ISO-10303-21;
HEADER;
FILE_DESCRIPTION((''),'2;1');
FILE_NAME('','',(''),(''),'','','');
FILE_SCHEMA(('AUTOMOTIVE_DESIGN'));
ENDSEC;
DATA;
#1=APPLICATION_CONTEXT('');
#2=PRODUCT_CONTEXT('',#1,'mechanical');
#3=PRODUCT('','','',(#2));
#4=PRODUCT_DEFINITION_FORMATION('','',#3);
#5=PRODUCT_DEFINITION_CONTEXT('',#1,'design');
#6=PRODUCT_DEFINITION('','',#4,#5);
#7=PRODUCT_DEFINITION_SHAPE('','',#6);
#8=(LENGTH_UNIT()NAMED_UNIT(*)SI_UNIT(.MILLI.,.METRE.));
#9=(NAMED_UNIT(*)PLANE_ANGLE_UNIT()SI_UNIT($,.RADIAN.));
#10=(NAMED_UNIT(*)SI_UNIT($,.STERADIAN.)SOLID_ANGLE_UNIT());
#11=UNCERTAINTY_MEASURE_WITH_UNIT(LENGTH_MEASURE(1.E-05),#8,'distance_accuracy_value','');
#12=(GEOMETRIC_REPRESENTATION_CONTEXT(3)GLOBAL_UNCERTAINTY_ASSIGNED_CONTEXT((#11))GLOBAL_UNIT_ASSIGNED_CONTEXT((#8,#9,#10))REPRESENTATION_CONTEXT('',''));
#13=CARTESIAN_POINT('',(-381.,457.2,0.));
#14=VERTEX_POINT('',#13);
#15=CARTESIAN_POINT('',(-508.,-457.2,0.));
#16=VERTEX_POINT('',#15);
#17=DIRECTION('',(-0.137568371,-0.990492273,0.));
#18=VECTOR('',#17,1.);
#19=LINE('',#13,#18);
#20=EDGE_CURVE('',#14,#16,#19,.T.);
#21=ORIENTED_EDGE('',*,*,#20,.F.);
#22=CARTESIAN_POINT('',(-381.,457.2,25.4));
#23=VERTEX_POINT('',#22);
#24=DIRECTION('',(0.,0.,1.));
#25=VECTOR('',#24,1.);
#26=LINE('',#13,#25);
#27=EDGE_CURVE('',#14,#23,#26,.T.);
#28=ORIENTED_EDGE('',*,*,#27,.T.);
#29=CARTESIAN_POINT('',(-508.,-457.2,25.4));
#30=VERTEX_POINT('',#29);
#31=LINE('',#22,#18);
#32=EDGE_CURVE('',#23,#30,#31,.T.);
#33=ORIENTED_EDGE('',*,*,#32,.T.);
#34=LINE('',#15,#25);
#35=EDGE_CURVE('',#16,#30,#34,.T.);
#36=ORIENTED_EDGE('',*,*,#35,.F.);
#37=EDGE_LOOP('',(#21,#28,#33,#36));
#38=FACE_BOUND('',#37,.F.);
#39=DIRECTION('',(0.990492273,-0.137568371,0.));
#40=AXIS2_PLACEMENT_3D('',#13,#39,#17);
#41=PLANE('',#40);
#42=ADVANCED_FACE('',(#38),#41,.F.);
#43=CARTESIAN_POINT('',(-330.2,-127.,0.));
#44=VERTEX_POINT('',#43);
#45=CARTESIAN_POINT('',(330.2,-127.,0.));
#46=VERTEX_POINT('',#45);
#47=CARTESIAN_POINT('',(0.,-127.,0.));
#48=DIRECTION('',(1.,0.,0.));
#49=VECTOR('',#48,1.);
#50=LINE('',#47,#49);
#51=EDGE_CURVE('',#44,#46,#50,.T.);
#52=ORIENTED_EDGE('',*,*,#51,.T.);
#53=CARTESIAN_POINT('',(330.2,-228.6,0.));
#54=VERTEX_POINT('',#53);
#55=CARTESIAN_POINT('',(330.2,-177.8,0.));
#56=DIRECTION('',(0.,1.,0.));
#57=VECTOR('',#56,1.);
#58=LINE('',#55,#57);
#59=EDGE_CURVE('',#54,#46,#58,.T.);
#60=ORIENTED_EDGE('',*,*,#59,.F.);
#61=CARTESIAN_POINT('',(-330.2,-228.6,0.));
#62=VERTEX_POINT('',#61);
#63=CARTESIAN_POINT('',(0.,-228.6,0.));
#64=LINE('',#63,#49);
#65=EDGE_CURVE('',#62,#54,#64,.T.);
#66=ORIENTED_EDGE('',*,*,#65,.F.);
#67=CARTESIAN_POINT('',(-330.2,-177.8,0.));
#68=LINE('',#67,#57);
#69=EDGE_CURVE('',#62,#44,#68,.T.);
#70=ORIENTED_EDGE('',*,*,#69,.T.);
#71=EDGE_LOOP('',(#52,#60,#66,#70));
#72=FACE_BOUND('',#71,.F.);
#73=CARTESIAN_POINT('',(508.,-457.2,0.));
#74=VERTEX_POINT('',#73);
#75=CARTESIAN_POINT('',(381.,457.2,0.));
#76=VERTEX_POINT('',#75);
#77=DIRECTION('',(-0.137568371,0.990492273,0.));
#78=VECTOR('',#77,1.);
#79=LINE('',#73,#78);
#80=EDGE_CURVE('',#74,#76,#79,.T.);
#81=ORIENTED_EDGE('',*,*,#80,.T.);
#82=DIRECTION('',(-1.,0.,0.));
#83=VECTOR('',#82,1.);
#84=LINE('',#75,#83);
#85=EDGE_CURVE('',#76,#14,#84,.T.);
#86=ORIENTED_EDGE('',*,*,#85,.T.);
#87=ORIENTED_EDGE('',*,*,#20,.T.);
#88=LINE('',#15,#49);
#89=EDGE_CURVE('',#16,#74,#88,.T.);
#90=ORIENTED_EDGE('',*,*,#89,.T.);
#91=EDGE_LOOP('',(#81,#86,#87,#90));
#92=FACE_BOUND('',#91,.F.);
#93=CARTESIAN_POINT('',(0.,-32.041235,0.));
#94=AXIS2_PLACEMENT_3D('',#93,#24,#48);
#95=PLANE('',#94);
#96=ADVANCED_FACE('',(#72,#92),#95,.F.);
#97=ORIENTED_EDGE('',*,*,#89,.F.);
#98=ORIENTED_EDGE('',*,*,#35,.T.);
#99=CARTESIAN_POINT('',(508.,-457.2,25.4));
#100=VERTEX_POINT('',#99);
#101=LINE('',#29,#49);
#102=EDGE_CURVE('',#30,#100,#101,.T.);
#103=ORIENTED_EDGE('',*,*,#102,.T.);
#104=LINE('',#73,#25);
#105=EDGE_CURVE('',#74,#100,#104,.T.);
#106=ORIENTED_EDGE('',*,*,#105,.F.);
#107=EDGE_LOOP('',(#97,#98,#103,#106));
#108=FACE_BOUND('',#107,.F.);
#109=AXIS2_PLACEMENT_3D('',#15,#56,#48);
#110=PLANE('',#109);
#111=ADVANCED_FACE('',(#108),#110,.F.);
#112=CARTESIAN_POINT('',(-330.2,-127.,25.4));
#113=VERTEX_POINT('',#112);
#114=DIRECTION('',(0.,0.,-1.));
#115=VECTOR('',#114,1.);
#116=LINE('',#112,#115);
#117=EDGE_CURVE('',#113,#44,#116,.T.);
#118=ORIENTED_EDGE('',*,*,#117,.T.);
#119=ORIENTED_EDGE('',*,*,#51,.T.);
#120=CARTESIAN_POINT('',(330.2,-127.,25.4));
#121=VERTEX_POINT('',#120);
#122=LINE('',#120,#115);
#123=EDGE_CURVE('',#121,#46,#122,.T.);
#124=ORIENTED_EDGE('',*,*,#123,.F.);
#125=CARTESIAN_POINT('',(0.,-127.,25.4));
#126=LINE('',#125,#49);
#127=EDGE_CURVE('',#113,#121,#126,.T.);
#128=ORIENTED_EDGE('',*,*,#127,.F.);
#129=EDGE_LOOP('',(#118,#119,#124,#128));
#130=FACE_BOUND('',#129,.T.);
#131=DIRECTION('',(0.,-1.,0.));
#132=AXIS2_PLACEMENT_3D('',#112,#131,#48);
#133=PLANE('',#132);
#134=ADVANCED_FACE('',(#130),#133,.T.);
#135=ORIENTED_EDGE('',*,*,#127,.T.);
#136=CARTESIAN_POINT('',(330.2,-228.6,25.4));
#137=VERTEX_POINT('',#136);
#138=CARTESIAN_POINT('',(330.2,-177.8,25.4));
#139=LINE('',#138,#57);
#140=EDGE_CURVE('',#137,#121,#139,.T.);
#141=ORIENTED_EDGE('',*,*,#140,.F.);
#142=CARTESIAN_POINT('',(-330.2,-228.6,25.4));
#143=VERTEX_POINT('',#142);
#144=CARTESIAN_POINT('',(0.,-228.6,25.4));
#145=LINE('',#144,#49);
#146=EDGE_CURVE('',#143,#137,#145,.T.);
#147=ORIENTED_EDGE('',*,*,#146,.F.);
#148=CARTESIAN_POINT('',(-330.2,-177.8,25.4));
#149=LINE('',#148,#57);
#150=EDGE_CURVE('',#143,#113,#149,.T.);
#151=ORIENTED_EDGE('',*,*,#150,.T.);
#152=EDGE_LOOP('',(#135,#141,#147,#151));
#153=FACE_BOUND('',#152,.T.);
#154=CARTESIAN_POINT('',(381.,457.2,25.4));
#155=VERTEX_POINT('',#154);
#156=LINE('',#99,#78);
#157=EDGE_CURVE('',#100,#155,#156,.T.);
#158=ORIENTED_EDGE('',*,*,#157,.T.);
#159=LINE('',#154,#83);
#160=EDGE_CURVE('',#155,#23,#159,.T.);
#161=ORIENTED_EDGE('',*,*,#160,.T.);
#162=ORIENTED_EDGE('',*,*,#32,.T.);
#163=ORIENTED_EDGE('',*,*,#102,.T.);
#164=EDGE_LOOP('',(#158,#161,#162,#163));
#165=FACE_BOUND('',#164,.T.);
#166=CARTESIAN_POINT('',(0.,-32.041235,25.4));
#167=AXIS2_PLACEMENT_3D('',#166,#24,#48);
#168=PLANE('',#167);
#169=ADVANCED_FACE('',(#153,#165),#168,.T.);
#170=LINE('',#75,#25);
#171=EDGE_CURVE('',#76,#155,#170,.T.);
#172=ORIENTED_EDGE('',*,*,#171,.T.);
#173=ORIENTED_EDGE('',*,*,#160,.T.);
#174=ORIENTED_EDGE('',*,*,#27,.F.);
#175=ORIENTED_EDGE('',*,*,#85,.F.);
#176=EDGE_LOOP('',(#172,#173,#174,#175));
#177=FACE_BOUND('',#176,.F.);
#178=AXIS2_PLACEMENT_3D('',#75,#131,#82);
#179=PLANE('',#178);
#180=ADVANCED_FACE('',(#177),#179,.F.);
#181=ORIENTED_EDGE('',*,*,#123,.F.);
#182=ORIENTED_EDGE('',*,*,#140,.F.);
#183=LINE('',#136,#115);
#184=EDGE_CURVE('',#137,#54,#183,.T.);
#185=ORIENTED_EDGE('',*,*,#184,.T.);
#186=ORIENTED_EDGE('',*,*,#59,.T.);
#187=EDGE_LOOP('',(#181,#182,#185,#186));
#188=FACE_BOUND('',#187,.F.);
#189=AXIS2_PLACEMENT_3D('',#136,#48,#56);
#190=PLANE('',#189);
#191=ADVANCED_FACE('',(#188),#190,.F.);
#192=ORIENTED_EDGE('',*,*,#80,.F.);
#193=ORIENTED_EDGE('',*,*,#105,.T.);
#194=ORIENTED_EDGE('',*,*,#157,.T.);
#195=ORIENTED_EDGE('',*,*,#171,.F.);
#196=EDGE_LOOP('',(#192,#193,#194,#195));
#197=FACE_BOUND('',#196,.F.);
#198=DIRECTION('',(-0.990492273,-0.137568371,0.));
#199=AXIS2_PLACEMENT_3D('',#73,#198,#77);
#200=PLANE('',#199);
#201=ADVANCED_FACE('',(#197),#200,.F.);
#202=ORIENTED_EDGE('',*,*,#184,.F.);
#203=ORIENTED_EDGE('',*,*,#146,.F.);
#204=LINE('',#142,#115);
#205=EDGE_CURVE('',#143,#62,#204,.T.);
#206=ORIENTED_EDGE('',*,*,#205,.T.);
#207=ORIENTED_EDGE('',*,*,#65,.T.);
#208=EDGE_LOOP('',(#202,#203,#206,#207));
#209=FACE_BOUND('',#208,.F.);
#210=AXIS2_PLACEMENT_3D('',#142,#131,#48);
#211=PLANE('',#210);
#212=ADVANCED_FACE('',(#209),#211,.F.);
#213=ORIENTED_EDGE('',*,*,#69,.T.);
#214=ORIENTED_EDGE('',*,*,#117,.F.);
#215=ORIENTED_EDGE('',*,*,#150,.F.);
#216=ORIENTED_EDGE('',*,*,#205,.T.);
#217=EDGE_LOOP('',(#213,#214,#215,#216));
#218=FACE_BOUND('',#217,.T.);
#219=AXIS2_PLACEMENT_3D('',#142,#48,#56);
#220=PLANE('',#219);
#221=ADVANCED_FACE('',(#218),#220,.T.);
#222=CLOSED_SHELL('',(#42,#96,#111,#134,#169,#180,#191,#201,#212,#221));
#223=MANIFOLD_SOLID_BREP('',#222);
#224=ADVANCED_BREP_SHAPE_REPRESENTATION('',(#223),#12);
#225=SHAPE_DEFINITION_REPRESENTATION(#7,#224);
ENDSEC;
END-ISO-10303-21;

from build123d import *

# Parameters (mm, degrees)
F1_DEPTH = 25.4
F2_W     = 660.4
F2_H     = 101.6
F3_DEPTH = 25.4


with BuildPart() as f1:
    # F0 (on Top) → F1 (new body)
    with BuildSketch(Plane.XY):
        Polygon((-508, -457.2), (508, -457.2), (381, 457.2), (-381, 457.2), align=None)
    extrude(amount=F1_DEPTH)

    # F2 (on face) → F3 (cut)
    with BuildSketch(Plane.XY.offset(25.4)):
        with Locations((0, -177.8)):
            Rectangle(F2_W, F2_H)
    extrude(amount=-F3_DEPTH, mode=Mode.SUBTRACT)


solid = f1.part
